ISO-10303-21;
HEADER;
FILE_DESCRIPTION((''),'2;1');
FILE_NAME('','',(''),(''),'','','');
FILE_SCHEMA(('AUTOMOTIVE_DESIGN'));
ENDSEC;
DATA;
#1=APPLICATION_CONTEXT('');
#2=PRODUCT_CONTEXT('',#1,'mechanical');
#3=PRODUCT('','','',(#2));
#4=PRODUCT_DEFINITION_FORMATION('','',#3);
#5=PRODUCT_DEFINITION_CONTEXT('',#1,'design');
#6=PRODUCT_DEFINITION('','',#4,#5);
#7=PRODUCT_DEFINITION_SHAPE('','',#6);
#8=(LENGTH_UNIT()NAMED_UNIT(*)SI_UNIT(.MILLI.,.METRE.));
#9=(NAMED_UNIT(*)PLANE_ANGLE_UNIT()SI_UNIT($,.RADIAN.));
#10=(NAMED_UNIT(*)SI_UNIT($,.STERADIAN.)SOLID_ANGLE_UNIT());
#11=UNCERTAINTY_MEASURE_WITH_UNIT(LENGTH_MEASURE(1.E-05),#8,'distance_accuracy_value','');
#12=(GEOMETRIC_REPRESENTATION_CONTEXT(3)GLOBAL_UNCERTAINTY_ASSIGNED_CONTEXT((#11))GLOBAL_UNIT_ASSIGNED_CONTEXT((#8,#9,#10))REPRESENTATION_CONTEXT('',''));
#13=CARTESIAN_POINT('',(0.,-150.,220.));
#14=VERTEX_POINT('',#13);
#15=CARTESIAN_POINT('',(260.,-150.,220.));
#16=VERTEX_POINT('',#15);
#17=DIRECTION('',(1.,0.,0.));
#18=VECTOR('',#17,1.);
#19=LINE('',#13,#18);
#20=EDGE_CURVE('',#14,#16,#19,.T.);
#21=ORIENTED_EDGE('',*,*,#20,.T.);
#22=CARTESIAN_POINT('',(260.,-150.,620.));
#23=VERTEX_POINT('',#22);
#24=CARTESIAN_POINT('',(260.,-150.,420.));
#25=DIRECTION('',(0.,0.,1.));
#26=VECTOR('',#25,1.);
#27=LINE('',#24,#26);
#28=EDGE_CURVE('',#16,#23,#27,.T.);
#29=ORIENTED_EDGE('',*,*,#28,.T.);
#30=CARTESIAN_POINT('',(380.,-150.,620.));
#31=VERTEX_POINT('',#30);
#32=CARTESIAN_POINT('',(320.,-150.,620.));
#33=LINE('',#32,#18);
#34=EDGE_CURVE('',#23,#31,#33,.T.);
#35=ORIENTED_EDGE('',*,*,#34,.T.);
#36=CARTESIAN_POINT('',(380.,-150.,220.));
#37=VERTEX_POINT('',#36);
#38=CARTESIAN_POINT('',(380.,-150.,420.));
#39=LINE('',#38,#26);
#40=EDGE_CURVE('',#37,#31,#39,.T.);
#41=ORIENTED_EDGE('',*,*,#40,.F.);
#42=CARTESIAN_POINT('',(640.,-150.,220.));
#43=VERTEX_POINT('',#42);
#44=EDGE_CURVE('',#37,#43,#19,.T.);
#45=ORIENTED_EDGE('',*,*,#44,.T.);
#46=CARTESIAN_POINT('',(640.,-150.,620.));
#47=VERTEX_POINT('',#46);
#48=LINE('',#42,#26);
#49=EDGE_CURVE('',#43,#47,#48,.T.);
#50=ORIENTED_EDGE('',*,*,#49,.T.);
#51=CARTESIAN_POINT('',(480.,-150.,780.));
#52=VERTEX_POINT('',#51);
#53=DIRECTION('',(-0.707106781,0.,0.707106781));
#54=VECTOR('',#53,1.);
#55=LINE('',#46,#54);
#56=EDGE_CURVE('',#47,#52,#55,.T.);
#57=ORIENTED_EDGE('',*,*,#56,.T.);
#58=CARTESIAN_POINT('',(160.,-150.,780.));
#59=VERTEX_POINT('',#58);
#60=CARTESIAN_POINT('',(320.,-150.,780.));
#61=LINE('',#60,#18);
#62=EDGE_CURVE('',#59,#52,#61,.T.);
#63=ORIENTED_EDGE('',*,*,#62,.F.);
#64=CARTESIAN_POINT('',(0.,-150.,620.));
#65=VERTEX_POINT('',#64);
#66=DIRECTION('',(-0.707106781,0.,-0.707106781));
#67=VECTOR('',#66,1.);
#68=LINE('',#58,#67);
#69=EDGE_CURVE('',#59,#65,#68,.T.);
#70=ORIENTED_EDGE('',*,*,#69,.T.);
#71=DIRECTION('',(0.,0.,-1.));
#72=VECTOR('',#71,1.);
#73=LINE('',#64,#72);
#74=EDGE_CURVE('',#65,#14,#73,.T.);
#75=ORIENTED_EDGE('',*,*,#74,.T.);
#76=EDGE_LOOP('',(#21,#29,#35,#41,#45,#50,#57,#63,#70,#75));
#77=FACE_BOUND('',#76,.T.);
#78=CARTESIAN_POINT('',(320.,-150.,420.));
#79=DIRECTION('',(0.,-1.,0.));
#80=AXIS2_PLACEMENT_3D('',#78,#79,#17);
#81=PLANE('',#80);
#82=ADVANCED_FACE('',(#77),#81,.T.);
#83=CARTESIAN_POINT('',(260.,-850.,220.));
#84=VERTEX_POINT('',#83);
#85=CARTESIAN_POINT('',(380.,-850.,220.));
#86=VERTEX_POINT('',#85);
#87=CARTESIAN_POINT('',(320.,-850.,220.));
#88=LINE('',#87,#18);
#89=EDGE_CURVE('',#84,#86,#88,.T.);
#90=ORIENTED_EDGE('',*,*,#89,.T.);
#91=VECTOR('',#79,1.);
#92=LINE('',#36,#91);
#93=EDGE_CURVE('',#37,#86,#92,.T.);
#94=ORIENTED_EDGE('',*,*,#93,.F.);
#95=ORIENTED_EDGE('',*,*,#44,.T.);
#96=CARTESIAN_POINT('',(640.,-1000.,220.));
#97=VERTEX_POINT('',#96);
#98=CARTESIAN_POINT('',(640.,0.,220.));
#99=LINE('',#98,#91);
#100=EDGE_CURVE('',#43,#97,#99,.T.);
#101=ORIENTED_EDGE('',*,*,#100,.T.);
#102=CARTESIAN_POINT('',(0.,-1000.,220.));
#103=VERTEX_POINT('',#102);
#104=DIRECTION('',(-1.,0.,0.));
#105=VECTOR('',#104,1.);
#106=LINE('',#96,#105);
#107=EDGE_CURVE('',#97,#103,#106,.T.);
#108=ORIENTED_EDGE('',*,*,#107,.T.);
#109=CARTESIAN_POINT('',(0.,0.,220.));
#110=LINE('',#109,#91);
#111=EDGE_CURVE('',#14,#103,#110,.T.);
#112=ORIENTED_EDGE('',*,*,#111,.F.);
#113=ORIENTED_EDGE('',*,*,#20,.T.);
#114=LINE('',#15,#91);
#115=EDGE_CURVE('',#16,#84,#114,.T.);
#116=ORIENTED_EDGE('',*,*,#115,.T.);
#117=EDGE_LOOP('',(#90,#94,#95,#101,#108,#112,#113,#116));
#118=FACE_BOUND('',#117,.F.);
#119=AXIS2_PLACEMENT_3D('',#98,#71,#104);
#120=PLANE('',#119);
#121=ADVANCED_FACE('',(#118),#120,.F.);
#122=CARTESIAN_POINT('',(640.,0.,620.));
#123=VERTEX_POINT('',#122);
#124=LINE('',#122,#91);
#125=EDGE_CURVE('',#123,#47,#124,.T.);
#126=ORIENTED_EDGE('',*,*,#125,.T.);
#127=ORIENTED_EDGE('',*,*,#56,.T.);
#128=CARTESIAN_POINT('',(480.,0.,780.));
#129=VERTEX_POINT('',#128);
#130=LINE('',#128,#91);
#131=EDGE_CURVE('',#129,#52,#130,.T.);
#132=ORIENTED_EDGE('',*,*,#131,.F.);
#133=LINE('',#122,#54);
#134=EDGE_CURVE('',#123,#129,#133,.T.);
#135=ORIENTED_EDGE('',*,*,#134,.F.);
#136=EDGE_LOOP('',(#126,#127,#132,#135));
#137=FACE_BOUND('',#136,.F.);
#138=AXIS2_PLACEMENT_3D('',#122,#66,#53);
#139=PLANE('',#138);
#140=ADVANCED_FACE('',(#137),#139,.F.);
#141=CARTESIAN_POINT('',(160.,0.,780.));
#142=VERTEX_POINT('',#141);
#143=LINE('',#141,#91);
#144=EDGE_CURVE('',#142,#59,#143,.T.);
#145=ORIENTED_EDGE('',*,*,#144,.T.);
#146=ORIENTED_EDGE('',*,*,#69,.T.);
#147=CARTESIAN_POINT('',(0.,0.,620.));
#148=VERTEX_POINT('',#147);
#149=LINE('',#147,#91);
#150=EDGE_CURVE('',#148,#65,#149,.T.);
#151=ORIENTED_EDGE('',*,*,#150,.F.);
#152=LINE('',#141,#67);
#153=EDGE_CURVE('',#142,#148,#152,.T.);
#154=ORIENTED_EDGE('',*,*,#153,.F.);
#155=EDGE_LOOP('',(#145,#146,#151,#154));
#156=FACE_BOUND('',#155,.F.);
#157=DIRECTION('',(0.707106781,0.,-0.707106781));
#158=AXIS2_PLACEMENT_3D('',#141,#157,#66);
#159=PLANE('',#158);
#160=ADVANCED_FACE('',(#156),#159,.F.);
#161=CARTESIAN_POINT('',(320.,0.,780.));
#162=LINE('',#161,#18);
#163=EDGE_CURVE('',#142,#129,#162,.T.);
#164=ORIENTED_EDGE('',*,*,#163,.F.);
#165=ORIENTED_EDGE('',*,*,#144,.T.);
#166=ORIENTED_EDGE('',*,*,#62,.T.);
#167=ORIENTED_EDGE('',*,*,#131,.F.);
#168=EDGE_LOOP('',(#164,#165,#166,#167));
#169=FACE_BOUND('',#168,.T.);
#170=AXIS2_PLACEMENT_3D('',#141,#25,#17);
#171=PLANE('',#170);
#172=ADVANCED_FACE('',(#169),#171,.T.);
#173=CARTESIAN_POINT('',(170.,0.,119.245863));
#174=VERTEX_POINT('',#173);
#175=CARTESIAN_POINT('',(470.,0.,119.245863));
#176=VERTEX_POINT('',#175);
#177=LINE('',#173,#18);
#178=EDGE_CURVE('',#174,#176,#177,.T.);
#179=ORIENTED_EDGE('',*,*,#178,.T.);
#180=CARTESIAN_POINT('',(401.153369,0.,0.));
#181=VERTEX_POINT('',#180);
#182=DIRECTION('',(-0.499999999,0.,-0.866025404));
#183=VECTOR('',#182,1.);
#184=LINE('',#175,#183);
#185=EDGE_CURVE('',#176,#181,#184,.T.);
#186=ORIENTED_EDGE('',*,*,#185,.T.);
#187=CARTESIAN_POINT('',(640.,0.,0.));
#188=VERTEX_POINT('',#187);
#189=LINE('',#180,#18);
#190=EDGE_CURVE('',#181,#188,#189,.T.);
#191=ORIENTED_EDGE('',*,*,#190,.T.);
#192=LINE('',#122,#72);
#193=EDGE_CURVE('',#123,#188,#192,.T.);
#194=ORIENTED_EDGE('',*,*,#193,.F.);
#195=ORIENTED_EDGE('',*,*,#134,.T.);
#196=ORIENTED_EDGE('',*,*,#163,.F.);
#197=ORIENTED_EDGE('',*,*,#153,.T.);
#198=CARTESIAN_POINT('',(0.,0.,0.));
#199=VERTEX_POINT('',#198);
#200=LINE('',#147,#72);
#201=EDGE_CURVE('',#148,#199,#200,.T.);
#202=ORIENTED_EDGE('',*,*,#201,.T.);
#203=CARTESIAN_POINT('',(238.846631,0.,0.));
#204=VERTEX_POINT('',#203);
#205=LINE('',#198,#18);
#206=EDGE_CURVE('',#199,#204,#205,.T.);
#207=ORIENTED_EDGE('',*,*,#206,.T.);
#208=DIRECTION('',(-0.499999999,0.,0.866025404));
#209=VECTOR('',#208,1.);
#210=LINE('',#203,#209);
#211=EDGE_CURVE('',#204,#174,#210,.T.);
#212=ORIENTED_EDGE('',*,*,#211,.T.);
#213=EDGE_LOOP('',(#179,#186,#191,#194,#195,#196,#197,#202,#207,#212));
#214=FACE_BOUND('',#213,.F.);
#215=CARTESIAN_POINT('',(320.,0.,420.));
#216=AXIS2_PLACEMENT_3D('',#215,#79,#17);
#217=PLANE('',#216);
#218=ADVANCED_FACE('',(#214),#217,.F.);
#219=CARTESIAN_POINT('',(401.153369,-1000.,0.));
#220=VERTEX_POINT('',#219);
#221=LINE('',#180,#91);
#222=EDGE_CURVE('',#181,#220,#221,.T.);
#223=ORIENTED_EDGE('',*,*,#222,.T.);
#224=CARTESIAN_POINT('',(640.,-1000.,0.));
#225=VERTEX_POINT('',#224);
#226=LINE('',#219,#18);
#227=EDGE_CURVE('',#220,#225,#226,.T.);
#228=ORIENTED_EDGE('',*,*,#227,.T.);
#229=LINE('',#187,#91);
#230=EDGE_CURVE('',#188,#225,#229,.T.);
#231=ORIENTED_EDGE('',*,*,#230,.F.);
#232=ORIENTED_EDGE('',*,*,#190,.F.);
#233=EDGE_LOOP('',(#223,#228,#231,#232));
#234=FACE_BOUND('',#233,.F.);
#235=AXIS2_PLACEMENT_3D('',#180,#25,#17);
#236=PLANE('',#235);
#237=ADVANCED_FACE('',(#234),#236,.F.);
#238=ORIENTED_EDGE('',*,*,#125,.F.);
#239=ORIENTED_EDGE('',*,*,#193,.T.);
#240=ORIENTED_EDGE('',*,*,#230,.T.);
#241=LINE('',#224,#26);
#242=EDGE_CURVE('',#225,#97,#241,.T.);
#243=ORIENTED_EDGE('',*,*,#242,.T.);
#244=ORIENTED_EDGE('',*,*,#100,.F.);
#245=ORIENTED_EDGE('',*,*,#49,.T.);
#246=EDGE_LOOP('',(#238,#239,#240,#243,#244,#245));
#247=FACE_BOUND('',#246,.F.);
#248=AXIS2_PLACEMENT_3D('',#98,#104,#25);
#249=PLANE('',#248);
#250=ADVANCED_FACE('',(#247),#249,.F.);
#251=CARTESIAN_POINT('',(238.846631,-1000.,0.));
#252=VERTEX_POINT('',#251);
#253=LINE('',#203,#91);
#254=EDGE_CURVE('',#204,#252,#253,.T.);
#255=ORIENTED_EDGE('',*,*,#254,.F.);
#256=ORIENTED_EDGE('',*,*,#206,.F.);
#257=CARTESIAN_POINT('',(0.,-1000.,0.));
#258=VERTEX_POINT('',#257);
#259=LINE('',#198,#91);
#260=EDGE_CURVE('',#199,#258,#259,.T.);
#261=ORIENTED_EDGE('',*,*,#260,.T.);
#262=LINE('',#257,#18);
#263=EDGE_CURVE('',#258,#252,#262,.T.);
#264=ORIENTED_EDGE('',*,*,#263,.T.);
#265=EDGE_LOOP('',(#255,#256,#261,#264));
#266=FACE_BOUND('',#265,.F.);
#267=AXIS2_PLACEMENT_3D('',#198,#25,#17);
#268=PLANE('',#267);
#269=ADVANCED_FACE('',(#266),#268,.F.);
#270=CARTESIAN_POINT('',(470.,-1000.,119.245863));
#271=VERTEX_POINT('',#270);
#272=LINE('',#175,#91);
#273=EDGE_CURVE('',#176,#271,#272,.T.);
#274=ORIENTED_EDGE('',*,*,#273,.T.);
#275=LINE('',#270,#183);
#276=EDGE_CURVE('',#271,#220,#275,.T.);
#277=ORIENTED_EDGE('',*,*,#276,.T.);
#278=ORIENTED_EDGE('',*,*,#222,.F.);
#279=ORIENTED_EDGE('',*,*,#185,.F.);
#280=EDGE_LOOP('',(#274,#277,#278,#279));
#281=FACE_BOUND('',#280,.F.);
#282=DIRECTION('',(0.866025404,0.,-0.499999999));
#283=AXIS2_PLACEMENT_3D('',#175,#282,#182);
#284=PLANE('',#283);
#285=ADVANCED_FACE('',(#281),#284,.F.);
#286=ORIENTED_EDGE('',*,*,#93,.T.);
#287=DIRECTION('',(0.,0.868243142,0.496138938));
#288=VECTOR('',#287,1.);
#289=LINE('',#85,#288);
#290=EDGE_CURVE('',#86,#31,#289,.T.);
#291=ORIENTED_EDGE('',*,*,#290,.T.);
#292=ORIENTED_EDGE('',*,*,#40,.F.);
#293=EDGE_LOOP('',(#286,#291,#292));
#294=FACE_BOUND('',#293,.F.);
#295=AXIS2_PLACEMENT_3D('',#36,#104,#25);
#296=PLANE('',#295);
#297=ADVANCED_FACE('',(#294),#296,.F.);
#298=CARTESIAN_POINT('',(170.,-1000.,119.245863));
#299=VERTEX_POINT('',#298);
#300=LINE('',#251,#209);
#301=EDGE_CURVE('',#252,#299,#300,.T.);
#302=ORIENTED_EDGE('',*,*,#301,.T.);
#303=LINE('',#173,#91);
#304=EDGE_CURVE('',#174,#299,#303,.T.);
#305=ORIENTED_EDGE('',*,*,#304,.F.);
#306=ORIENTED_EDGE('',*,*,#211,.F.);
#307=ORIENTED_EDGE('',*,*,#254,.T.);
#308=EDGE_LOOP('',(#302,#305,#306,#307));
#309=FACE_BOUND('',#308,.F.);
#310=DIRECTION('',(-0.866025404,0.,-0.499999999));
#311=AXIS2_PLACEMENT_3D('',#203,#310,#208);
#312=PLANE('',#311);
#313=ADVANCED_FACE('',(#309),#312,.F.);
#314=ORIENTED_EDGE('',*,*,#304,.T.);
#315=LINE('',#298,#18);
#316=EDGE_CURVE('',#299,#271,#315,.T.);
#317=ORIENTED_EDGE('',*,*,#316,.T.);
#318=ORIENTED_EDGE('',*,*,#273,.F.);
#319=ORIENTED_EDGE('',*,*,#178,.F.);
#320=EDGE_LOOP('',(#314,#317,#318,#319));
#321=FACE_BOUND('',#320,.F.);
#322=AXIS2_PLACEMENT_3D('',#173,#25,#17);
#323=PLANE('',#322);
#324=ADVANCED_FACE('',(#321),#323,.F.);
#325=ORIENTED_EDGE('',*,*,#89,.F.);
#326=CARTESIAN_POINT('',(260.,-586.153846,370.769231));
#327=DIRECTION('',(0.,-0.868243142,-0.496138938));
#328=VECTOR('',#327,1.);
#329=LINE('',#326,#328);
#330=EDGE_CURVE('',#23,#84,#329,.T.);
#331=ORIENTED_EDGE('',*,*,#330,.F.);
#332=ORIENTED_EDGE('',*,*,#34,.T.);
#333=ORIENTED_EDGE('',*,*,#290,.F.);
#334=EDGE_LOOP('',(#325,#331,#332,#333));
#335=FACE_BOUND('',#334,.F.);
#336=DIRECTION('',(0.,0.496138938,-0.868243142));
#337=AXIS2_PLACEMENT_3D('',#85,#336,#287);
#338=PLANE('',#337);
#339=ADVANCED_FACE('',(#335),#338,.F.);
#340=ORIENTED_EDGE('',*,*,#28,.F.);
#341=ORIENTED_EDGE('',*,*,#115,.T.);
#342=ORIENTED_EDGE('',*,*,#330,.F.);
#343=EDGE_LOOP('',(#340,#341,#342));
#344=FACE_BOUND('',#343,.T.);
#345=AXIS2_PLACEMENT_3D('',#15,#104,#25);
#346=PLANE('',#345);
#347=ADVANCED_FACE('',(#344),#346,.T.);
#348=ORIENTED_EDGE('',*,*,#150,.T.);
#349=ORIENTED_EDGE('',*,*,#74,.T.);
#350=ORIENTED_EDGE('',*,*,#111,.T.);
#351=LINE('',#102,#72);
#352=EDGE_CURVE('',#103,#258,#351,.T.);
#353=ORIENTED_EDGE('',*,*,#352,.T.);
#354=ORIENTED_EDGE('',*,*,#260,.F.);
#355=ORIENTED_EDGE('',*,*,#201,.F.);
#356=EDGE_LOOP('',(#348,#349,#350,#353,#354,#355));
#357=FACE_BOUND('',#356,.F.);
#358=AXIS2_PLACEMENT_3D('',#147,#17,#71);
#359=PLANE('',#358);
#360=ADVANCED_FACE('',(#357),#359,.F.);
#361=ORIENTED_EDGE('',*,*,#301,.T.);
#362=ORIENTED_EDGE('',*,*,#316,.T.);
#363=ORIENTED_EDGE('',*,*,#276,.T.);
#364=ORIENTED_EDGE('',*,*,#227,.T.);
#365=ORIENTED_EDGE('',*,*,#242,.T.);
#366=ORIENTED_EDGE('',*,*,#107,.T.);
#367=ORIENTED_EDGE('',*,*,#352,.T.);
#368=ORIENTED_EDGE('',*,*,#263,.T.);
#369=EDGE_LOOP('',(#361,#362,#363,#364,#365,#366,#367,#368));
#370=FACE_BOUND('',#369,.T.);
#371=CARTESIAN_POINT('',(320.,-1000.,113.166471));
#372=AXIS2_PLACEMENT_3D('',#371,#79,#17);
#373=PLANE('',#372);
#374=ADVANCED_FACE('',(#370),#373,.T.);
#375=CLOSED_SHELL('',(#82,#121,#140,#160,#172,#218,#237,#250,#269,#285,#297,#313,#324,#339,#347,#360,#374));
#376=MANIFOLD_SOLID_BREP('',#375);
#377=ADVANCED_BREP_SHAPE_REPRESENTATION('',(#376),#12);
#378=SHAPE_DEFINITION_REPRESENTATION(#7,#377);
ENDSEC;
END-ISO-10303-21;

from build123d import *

# Parameters (mm, degrees)
F1_DEPTH = 1000
F0_W     = 320
F0_H     = 160
F2_DEPTH = 150
F3_W     = 120
F3_H     = 400
F4_DEPTH = 700
F6_DEPTH = 267.208


with BuildPart() as f1:
    # F0 (on Front) → F1 (new body)
    with BuildSketch(Plane.XZ):
        Polygon((0, 220), (0, 0), (238.846631, 0), (170, 119.245863), (470, 119.245863), (401.153369, 0), (640, 0), (640, 220), align=None)
    extrude(amount=F1_DEPTH)

    # F0 (on Front) → F2 (join)
    with BuildSketch(Plane.XZ):
        Polygon((0, 620), (0, 220), (640, 220), (640, 620), (480, 620), (160, 620), align=None)
        Polygon((480, 620), (640, 620), (480, 780), align=None)
        with Locations((320, 700)):
            Rectangle(F0_W, F0_H)
        Polygon((160, 780), (0, 620), (160, 620), align=None)
    extrude(amount=F2_DEPTH)

    # F3 (on face) → F4 (join)
    with BuildSketch(Plane.XZ.offset(150)):
        with Locations((320, 420)):
            Rectangle(F3_W, F3_H)
    extrude(amount=F4_DEPTH)

    # F5 (on face) → F6 (cut)
    with BuildSketch(Plane.YZ.offset(380)):
        Polygon((-850, 620), (-850, 220), (-150, 620), align=None)
    extrude(amount=-F6_DEPTH, mode=Mode.SUBTRACT)


solid = f1.part
